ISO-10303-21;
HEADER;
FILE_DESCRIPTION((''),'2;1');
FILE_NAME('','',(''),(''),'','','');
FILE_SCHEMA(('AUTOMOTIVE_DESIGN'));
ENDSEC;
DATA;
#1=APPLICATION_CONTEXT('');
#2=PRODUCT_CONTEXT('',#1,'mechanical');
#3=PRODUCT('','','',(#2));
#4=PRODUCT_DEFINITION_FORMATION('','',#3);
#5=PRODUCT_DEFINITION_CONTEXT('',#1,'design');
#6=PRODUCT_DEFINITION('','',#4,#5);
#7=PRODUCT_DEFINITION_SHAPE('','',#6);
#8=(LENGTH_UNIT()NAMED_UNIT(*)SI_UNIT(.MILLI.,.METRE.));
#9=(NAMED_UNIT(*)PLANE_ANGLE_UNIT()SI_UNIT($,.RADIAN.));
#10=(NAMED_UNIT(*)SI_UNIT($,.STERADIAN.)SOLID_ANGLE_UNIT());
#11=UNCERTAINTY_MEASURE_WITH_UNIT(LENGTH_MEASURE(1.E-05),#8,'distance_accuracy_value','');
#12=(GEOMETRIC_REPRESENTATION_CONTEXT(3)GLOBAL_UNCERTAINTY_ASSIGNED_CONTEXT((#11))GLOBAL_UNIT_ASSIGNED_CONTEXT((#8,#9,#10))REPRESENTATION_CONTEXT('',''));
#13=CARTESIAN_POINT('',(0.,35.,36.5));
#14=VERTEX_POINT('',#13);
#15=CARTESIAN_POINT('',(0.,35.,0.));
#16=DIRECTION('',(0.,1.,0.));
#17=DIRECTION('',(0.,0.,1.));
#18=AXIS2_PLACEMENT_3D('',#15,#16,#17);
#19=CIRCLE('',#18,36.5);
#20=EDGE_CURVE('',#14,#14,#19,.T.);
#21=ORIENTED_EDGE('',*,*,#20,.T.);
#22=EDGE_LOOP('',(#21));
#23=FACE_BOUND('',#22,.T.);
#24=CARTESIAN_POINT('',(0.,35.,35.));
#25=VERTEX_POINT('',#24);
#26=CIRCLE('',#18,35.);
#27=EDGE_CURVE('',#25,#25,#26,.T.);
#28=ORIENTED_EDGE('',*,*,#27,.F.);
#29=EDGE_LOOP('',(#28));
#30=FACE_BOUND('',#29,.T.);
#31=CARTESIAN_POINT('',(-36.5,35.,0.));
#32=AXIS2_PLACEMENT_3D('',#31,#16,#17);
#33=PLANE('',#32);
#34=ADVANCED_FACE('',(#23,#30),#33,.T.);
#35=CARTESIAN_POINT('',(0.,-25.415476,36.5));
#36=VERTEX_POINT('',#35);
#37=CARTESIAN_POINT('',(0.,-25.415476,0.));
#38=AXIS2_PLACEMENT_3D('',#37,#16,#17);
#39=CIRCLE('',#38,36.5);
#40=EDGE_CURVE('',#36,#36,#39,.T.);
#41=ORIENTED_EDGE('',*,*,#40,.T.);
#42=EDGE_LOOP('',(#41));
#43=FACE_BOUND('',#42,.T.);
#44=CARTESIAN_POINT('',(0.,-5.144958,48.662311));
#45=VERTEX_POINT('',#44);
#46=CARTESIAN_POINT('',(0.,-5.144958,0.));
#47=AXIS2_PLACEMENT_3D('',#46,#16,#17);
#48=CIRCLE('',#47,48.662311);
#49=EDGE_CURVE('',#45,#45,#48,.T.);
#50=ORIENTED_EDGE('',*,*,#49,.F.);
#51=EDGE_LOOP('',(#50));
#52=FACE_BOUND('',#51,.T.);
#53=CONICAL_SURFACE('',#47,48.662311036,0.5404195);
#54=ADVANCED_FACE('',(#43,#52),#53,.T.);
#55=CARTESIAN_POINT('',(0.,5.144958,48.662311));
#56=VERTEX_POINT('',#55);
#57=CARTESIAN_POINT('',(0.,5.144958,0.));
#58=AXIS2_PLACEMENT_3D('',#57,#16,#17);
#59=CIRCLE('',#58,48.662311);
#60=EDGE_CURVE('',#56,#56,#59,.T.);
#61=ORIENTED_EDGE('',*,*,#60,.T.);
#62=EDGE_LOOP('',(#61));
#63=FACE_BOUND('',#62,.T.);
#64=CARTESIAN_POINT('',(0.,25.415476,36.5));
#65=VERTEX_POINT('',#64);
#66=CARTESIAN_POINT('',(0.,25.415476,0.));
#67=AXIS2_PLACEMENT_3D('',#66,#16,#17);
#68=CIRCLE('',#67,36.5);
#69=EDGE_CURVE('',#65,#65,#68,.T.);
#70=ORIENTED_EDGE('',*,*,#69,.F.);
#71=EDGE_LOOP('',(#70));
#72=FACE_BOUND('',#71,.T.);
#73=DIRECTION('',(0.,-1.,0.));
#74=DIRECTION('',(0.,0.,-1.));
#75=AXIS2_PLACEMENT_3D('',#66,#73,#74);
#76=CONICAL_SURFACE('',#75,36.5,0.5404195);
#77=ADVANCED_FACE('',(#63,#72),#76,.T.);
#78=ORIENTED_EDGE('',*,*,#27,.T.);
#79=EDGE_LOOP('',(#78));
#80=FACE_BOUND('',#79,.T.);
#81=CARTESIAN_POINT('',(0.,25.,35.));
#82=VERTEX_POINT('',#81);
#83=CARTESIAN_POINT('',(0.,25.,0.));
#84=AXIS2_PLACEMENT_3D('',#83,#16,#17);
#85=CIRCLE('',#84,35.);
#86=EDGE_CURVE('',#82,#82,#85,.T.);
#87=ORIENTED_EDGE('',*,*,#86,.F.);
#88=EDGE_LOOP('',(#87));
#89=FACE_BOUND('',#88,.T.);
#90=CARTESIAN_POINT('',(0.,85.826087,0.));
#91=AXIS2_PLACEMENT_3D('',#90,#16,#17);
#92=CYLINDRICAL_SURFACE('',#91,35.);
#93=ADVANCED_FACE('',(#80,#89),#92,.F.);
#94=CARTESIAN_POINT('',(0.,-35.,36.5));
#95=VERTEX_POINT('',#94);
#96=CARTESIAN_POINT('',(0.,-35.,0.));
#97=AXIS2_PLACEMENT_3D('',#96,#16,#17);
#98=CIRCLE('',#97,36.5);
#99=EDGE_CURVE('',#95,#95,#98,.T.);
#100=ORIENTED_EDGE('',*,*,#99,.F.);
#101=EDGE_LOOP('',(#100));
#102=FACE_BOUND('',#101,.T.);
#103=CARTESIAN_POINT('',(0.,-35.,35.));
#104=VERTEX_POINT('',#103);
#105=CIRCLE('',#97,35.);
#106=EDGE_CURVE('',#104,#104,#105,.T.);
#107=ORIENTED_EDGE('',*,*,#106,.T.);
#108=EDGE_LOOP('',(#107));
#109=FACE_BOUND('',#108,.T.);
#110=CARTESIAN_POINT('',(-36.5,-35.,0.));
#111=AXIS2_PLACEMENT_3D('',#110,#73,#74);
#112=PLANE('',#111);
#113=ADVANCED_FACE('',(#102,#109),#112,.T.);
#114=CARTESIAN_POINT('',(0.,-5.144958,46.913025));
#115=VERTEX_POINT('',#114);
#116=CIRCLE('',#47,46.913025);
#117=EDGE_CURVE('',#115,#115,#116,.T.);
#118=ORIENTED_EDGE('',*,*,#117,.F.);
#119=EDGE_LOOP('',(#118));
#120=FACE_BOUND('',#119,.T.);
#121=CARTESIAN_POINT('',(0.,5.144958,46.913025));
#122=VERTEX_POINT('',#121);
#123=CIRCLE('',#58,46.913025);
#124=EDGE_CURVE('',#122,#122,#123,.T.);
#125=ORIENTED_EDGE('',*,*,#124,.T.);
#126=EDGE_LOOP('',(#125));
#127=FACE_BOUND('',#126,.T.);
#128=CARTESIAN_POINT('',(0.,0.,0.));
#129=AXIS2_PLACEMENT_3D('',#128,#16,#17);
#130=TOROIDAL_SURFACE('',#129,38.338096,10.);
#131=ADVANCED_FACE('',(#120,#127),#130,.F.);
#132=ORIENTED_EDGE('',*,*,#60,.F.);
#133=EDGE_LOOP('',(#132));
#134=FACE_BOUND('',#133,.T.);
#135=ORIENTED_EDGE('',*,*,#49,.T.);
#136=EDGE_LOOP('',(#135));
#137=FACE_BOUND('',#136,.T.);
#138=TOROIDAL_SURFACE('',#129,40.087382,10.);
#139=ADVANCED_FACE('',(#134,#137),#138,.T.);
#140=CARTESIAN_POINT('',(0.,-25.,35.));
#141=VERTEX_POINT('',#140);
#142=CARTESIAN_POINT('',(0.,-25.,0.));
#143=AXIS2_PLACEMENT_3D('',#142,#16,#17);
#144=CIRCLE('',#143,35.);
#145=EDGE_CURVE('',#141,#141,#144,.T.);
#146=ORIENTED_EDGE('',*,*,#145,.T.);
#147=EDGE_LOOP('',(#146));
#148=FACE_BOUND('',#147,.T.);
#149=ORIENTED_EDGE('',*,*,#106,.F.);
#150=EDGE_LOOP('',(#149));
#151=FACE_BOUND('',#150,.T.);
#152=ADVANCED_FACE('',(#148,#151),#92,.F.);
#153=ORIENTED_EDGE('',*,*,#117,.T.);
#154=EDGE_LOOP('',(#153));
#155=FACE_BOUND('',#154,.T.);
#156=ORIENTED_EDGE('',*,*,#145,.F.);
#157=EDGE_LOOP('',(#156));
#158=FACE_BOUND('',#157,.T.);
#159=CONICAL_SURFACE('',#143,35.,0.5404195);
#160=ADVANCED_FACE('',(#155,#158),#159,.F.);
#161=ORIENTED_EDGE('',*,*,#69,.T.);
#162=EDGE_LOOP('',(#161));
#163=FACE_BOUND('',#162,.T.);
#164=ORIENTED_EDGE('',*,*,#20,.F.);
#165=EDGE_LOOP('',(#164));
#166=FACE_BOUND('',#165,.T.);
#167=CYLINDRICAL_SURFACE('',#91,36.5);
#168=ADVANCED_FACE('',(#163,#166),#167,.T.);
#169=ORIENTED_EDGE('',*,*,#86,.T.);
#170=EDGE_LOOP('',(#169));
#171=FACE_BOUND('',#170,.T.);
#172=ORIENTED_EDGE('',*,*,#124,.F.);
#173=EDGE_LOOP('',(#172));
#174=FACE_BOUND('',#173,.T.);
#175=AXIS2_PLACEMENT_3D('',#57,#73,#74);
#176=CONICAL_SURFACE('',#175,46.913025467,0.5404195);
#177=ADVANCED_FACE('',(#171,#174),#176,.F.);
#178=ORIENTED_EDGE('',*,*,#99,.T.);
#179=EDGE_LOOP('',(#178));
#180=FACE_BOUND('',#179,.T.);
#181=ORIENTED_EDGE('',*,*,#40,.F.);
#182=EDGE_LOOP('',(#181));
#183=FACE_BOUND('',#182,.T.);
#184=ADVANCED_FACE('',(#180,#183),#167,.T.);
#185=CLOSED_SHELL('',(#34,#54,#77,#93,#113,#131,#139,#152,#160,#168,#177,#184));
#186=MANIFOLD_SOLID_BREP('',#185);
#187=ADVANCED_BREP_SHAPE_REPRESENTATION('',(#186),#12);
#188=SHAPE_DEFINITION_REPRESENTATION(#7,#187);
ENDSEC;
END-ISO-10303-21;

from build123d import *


with BuildPart() as part:
    # Sketch1 → Revolve1 (revolve)
    with BuildSketch(Plane.XY, mode=Mode.PRIVATE) as revolve1_sk:
        with BuildLine():
            Line((-35, 35), (-35, 25))
            Line((-35, 25), (-46.913025467, 5.144957554))
            ThreePointArc((-46.913025467, 5.144957554), (-48.33809621, 0), (-46.913025467, -5.144957554))
            Line((-46.913025467, -5.144957554), (-35, -25))
            Line((-35, -25), (-35, -35))
            Line((-35, -35), (-36.5, -35))
            Line((-36.5, -35), (-36.5, -25.415475947))
            Line((-36.5, -25.415475947), (-48.662311036, -5.144957554))
            ThreePointArc((-48.662311036, -5.144957554), (-50.087381779, 0), (-48.662311036, 5.144957554))
            Line((-48.662311036, 5.144957554), (-36.5, 25.415475947))
            Line((-36.5, 25.415475947), (-36.5, 35))
            Line((-36.5, 35), (-35, 35))
        make_face()
    revolve(revolve1_sk.sketch.rotate(Axis((0, 85.826086957, 0), (0, -1, 0)), 270), axis=Axis((0, 85.826086957, 0), (0, -1, 0)))


solid = part.part
